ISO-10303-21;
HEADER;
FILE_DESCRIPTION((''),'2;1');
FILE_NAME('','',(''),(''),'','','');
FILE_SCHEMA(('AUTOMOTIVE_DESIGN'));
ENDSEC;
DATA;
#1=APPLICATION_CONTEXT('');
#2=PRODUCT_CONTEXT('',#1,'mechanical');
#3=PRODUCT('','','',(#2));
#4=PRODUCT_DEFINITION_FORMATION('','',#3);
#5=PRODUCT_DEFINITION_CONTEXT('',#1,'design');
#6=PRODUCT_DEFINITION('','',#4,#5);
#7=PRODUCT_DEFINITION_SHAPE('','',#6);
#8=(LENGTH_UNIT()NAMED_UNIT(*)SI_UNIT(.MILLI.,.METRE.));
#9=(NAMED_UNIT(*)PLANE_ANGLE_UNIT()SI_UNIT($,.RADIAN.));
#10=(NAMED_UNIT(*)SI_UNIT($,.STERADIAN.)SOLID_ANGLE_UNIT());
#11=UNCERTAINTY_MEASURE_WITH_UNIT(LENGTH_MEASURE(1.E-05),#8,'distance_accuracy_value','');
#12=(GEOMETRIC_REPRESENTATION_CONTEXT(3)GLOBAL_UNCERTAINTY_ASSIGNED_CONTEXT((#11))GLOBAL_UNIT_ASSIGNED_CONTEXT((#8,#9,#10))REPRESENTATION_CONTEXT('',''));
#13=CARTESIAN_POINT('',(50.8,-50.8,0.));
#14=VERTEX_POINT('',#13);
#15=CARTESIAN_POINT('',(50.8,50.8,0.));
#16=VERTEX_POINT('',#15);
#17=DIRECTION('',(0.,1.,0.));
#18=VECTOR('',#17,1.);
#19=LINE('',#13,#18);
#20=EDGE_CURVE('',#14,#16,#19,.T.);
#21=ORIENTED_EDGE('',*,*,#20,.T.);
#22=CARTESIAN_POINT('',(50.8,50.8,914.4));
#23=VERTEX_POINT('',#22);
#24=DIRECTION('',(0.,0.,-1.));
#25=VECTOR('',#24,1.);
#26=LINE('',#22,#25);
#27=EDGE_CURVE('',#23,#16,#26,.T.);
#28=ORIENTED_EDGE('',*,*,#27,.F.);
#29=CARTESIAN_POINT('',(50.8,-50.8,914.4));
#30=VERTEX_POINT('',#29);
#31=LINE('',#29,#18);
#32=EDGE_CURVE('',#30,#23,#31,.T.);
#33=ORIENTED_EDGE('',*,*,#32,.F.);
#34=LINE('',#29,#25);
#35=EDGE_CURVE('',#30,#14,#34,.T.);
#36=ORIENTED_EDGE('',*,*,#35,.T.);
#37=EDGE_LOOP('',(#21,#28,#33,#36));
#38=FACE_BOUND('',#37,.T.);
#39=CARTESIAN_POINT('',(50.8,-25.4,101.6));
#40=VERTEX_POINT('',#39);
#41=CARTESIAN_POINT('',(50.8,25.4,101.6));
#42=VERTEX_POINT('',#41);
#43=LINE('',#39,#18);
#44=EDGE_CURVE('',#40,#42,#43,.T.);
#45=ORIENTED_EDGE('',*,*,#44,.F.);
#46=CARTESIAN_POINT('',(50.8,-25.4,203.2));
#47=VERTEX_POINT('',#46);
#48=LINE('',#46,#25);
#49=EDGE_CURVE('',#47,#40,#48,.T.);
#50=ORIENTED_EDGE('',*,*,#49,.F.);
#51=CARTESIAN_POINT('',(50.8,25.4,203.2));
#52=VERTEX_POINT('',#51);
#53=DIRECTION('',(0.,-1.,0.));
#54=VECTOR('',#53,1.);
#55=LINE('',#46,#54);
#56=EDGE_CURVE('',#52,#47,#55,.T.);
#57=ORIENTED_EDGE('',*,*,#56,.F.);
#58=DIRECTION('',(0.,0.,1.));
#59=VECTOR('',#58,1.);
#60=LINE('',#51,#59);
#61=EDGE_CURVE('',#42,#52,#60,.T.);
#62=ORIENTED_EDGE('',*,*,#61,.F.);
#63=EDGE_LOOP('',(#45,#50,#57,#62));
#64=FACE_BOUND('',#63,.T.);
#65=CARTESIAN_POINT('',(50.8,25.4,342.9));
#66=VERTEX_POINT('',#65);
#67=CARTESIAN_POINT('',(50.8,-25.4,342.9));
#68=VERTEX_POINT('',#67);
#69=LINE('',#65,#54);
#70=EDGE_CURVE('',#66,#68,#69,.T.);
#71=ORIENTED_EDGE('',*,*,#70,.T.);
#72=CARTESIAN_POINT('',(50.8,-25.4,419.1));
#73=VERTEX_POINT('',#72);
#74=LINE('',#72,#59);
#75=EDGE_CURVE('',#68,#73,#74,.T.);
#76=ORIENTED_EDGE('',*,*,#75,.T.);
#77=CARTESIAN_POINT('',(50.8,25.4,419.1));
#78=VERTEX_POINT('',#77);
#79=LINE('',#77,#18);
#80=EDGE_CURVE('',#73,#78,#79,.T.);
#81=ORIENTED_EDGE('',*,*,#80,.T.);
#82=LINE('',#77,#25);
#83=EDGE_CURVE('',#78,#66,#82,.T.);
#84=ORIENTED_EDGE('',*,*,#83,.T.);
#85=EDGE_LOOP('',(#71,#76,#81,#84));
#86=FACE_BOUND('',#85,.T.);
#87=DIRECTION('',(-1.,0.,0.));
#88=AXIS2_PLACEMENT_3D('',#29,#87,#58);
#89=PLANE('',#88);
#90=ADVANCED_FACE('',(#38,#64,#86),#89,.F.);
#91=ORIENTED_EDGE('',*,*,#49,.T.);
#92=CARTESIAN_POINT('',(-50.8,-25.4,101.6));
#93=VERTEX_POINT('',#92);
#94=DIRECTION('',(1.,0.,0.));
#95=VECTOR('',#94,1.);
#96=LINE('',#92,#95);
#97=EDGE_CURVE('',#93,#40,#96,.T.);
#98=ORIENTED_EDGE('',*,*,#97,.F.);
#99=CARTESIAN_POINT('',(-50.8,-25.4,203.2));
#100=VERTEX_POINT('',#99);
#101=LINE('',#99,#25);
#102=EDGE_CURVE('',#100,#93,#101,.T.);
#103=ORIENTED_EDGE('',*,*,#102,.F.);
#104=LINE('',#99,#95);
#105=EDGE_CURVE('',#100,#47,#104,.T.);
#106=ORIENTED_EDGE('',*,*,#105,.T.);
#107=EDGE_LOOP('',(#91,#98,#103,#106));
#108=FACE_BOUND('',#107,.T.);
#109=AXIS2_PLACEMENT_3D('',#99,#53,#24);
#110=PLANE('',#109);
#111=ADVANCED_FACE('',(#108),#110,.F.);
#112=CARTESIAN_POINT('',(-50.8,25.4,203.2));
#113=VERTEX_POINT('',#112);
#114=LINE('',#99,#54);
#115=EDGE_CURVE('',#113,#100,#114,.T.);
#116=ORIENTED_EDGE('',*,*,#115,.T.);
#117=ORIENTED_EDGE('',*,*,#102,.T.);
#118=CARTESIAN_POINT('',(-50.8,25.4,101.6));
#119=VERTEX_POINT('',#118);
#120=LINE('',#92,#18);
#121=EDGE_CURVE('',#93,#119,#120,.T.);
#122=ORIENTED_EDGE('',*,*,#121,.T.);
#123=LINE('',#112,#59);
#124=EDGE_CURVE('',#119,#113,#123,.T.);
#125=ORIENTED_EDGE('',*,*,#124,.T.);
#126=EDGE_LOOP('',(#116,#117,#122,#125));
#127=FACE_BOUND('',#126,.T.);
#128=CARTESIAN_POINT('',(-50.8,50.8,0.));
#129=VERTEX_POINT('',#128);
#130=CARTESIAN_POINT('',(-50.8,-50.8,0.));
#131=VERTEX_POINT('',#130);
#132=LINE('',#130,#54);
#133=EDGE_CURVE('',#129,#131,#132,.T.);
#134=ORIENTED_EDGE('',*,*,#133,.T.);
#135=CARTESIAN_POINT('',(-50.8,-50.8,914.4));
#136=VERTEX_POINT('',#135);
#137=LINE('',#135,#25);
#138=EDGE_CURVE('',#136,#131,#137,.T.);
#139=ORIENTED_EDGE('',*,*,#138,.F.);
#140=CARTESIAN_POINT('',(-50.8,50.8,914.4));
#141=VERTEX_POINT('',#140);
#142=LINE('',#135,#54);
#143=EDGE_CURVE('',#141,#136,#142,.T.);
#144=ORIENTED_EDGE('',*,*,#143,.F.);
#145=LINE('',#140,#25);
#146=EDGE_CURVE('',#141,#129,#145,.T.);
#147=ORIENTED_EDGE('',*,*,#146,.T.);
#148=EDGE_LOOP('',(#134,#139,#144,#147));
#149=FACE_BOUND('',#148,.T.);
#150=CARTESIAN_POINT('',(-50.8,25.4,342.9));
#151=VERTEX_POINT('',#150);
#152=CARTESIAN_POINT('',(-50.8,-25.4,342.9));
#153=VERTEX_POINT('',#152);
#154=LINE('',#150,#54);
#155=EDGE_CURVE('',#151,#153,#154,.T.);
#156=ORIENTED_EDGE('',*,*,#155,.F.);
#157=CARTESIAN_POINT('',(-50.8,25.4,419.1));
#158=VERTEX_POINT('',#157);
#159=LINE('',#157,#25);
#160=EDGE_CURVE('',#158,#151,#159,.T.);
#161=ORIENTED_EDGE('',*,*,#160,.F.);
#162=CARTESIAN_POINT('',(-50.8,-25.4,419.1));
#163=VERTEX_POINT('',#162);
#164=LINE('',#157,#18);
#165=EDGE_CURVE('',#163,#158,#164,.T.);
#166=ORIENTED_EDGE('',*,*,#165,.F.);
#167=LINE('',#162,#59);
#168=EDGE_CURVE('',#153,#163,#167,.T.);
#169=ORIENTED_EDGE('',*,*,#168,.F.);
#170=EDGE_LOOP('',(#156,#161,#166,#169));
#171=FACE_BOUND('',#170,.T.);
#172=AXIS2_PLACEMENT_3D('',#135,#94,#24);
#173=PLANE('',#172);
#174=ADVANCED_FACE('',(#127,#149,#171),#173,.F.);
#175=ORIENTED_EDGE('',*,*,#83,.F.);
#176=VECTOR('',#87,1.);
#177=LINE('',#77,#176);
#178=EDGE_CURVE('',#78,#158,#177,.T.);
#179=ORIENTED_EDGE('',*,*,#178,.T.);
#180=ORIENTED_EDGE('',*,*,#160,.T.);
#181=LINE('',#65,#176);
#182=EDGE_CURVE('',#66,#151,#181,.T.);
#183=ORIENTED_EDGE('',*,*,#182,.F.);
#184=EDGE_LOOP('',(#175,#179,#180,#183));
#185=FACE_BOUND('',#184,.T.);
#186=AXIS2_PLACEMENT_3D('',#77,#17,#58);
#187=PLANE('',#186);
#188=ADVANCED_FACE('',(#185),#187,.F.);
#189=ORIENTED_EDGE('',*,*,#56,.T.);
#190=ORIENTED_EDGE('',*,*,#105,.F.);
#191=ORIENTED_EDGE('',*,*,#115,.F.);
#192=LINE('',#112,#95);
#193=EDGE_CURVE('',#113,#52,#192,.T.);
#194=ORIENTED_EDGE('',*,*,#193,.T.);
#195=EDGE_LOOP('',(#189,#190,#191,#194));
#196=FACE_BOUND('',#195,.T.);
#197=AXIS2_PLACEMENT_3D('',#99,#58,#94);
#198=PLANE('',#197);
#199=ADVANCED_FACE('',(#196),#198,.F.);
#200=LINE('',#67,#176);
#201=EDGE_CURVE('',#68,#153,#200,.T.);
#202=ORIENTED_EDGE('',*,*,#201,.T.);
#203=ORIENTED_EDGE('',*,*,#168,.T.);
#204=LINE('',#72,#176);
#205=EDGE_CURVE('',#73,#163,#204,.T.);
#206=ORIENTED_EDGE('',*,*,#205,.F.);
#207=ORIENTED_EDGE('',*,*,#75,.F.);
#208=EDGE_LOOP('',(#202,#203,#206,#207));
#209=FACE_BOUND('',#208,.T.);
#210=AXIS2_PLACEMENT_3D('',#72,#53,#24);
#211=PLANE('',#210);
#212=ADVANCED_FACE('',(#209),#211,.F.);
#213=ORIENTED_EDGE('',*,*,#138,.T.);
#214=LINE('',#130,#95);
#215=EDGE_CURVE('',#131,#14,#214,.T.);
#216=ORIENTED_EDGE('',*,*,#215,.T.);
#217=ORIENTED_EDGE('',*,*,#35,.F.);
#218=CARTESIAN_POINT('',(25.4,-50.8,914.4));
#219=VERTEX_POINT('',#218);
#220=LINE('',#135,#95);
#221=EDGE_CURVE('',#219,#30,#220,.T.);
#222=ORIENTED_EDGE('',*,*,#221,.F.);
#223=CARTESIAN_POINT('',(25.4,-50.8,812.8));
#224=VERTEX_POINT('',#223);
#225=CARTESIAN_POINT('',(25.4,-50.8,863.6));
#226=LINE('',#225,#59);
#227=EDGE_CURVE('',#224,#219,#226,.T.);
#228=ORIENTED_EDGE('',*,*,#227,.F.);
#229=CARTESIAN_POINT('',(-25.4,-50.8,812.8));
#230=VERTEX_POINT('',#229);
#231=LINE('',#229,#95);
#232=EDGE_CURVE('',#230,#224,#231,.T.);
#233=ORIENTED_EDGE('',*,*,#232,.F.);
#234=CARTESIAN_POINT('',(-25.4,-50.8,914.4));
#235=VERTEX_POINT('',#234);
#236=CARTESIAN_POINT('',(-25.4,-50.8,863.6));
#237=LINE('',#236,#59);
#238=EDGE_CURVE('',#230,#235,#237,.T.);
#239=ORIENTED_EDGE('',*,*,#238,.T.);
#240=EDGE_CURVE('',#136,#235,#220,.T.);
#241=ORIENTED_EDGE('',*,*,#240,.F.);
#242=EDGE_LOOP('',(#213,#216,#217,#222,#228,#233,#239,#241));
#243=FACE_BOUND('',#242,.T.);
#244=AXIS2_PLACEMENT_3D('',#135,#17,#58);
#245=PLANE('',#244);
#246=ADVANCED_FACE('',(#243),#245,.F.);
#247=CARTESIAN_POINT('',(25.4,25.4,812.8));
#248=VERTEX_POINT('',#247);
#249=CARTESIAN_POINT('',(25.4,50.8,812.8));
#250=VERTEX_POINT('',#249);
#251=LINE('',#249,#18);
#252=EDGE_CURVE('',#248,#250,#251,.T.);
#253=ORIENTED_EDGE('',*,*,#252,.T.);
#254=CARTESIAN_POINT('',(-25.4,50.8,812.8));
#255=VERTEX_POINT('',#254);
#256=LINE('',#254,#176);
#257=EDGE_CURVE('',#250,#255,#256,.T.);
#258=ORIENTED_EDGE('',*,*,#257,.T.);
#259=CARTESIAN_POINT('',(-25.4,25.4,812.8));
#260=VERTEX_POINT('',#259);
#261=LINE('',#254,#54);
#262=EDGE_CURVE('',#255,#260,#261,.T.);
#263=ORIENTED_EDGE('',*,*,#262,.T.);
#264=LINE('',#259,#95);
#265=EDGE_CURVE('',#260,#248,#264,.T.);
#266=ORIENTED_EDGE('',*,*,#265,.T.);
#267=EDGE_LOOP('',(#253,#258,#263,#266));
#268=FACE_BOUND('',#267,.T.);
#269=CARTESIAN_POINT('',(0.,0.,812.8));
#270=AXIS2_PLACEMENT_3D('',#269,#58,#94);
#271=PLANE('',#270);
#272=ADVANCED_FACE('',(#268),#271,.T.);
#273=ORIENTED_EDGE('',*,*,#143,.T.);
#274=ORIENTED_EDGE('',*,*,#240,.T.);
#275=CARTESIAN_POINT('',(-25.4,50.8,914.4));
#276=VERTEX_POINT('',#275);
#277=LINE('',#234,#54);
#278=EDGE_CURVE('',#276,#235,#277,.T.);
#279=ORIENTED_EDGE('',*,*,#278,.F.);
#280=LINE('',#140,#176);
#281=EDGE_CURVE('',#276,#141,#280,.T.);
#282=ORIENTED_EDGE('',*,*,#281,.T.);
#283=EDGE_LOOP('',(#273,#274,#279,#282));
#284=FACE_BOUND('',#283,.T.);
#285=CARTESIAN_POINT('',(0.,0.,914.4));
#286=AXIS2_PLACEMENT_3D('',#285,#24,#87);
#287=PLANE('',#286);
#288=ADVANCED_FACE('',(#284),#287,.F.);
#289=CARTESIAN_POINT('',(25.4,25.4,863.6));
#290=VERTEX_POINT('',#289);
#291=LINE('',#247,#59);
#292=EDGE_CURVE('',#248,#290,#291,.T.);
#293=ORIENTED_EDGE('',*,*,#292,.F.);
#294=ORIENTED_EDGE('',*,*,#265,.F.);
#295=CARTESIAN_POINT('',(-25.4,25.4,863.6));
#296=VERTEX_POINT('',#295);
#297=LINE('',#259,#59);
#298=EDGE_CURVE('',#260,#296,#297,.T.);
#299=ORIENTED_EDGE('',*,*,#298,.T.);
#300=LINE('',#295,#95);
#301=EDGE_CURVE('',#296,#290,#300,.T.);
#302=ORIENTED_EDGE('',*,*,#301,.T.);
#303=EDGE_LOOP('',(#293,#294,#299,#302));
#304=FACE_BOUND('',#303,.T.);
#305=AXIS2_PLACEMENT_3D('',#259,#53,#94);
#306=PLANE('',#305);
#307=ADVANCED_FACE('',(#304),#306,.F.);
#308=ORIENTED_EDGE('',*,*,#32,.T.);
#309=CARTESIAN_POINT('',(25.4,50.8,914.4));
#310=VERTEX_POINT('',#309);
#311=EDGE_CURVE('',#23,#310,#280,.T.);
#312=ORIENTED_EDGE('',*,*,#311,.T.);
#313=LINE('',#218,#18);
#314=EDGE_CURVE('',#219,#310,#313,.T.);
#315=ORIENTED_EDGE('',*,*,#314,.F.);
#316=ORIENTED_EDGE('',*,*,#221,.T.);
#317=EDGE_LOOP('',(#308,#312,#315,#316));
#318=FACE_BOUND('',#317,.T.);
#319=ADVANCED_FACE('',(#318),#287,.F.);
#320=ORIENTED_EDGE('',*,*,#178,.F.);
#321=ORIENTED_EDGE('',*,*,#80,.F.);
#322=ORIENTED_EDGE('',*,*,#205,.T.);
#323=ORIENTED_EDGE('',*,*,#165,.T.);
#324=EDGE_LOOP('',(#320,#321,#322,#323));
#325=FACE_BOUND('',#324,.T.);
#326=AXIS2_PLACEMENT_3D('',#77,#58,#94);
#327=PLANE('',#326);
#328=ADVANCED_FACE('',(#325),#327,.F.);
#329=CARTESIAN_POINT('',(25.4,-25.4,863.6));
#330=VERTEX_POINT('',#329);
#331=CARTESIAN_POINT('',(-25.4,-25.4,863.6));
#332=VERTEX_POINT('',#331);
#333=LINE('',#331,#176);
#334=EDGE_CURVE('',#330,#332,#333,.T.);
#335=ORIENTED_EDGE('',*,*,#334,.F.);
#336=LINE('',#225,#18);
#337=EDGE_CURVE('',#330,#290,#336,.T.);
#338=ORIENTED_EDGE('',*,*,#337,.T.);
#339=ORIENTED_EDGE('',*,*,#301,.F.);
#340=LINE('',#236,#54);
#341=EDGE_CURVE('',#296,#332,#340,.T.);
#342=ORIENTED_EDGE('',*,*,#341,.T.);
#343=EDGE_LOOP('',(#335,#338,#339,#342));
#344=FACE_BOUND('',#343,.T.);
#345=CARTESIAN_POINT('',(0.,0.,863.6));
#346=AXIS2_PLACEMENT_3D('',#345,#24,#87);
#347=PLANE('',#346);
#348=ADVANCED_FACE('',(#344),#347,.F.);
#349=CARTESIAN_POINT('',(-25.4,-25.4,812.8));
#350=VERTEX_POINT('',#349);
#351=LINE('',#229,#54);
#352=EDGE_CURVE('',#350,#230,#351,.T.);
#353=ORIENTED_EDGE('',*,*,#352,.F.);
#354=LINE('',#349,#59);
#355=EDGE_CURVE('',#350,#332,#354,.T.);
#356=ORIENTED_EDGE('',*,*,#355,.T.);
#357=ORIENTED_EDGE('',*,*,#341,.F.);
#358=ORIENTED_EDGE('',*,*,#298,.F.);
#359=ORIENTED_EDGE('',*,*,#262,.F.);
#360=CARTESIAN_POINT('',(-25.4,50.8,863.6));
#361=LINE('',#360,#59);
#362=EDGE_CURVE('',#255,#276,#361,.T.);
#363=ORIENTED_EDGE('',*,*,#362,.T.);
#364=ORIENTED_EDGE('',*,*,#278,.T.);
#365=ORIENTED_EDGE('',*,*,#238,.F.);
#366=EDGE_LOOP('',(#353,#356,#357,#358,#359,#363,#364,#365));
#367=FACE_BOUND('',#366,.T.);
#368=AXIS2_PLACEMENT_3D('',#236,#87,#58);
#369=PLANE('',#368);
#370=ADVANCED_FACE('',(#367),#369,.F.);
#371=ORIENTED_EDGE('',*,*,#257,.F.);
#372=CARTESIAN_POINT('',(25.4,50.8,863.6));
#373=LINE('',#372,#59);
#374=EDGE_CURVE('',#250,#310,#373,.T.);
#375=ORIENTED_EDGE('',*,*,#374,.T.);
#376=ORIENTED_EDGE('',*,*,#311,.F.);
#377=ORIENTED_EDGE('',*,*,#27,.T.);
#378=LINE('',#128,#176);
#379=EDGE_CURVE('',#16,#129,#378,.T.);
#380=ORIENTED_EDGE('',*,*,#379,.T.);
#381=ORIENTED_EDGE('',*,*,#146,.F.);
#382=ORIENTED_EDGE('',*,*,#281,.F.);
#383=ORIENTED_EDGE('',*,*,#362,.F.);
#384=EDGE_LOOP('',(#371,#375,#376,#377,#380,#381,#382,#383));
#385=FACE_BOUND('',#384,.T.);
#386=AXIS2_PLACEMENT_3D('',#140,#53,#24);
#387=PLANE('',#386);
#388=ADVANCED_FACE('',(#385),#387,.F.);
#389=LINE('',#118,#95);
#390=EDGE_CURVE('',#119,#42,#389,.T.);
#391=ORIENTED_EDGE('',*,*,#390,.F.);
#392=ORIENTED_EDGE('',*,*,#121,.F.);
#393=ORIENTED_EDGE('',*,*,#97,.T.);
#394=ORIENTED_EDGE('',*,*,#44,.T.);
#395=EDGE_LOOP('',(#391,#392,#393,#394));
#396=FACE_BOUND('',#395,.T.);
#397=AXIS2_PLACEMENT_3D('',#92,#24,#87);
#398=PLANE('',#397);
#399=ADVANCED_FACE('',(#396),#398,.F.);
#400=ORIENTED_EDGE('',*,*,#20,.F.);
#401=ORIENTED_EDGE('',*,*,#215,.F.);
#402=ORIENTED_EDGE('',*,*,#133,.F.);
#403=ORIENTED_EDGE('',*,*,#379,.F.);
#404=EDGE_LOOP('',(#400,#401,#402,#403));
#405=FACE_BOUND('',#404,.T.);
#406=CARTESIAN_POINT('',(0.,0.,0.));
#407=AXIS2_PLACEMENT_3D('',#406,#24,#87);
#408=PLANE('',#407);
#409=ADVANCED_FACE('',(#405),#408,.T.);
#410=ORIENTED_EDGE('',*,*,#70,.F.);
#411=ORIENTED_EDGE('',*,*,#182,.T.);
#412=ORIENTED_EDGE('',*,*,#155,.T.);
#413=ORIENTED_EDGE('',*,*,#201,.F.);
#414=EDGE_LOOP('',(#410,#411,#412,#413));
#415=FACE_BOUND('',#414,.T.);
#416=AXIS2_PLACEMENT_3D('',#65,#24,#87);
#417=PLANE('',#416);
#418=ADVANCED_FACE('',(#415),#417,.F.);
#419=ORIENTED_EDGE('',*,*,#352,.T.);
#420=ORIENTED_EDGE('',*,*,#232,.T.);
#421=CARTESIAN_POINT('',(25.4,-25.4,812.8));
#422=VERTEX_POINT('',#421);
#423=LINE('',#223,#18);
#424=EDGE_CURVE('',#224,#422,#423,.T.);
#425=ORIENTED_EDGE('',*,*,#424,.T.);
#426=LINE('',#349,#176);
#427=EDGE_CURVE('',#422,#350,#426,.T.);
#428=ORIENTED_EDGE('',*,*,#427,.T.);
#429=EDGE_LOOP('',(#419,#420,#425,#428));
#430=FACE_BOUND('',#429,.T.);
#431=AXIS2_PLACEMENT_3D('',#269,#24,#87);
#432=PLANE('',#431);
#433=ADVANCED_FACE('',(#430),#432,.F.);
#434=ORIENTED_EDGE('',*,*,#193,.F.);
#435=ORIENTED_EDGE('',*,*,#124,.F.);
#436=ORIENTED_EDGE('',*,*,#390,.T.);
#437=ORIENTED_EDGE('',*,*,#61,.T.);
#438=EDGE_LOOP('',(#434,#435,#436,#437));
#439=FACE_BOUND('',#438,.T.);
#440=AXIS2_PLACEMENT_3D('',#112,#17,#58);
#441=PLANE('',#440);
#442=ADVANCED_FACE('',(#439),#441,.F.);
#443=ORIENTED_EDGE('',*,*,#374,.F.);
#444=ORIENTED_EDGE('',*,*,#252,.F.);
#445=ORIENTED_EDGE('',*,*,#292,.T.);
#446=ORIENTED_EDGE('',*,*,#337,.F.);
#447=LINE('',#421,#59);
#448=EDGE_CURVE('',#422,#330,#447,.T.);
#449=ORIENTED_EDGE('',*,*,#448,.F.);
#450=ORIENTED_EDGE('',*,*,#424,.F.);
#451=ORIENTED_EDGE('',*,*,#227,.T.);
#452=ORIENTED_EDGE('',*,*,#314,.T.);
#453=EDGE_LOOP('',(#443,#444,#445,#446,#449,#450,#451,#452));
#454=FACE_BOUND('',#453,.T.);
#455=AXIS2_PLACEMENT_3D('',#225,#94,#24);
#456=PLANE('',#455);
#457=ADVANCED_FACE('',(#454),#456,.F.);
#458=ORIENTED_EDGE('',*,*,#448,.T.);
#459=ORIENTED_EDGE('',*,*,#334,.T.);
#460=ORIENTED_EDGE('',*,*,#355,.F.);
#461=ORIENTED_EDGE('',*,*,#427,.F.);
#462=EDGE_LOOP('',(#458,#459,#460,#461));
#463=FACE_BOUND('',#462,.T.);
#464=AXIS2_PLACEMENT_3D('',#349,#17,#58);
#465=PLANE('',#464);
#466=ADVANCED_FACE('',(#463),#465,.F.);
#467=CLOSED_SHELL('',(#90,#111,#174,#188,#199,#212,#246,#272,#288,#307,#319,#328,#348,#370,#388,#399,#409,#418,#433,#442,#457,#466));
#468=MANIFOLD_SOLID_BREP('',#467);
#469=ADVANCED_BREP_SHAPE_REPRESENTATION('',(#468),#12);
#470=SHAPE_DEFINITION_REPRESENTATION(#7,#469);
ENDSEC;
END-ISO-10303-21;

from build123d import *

# Parameters (mm, degrees)
SKETCH1_W               = 101.6
SKETCH1_H               = 101.6
BOSS_EXTRUDE1_DEPTH     = 914.4
CUT_EXTRUDE1_DEPTH      = 922.428543079
CUT_EXTRUDE1_DEPTH_BACK = 922.428543079
SKETCH2_W               = 101.6
SKETCH2_H               = 50.8
SKETCH3_W               = 50.8
SKETCH3_H               = 101.6
CUT_EXTRUDE2_DEPTH      = 50.8
SKETCH4_W               = 50.8
SKETCH4_H               = 25.4
CUT_EXTRUDE3_DEPTH      = 50.8
SKETCH5_W               = 76.2
SKETCH5_H               = 50.8
CUT_EXTRUDE4_DEPTH      = 922.428543079


with BuildPart() as part:
    # Sketch1 → Boss-Extrude1 (new body)
    with BuildSketch(Plane.XY):
        Rectangle(SKETCH1_W, SKETCH1_H)
    extrude(amount=BOSS_EXTRUDE1_DEPTH)

    # Sketch2 → Cut-Extrude1 (cut, two sides: drawn at the far end of the back side and taken through both)
    with BuildSketch(Plane(origin=(50.8, 0, 0), x_dir=(0, 0, -1), z_dir=(1, 0, 0)).offset(-CUT_EXTRUDE1_DEPTH_BACK)):
        with Locations((-152.4, 0)):
            Rectangle(SKETCH2_W, SKETCH2_H)
    extrude(amount=CUT_EXTRUDE1_DEPTH + CUT_EXTRUDE1_DEPTH_BACK, mode=Mode.SUBTRACT)

    # Sketch3 → Cut-Extrude2 (cut)
    with BuildSketch(Plane.XY.offset(914.4)):
        Rectangle(SKETCH3_W, SKETCH3_H)
    extrude(amount=-CUT_EXTRUDE2_DEPTH, mode=Mode.SUBTRACT)

    # Sketch4 → Cut-Extrude3 (cut)
    with BuildSketch(Plane.XY.offset(863.6)):
        with Locations((0, 38.1)):
            Rectangle(SKETCH4_W, SKETCH4_H)
        with Locations((0, -38.1)):
            Rectangle(SKETCH4_W, SKETCH4_H)
    extrude(amount=-CUT_EXTRUDE3_DEPTH, mode=Mode.SUBTRACT)

    # Sketch5 → Cut-Extrude4 (cut, through all)
    with BuildSketch(Plane.ZY.offset(50.8)):
        with Locations((381, 0)):
            Rectangle(SKETCH5_W, SKETCH5_H)
    extrude(amount=-CUT_EXTRUDE4_DEPTH, mode=Mode.SUBTRACT)


solid = part.part
